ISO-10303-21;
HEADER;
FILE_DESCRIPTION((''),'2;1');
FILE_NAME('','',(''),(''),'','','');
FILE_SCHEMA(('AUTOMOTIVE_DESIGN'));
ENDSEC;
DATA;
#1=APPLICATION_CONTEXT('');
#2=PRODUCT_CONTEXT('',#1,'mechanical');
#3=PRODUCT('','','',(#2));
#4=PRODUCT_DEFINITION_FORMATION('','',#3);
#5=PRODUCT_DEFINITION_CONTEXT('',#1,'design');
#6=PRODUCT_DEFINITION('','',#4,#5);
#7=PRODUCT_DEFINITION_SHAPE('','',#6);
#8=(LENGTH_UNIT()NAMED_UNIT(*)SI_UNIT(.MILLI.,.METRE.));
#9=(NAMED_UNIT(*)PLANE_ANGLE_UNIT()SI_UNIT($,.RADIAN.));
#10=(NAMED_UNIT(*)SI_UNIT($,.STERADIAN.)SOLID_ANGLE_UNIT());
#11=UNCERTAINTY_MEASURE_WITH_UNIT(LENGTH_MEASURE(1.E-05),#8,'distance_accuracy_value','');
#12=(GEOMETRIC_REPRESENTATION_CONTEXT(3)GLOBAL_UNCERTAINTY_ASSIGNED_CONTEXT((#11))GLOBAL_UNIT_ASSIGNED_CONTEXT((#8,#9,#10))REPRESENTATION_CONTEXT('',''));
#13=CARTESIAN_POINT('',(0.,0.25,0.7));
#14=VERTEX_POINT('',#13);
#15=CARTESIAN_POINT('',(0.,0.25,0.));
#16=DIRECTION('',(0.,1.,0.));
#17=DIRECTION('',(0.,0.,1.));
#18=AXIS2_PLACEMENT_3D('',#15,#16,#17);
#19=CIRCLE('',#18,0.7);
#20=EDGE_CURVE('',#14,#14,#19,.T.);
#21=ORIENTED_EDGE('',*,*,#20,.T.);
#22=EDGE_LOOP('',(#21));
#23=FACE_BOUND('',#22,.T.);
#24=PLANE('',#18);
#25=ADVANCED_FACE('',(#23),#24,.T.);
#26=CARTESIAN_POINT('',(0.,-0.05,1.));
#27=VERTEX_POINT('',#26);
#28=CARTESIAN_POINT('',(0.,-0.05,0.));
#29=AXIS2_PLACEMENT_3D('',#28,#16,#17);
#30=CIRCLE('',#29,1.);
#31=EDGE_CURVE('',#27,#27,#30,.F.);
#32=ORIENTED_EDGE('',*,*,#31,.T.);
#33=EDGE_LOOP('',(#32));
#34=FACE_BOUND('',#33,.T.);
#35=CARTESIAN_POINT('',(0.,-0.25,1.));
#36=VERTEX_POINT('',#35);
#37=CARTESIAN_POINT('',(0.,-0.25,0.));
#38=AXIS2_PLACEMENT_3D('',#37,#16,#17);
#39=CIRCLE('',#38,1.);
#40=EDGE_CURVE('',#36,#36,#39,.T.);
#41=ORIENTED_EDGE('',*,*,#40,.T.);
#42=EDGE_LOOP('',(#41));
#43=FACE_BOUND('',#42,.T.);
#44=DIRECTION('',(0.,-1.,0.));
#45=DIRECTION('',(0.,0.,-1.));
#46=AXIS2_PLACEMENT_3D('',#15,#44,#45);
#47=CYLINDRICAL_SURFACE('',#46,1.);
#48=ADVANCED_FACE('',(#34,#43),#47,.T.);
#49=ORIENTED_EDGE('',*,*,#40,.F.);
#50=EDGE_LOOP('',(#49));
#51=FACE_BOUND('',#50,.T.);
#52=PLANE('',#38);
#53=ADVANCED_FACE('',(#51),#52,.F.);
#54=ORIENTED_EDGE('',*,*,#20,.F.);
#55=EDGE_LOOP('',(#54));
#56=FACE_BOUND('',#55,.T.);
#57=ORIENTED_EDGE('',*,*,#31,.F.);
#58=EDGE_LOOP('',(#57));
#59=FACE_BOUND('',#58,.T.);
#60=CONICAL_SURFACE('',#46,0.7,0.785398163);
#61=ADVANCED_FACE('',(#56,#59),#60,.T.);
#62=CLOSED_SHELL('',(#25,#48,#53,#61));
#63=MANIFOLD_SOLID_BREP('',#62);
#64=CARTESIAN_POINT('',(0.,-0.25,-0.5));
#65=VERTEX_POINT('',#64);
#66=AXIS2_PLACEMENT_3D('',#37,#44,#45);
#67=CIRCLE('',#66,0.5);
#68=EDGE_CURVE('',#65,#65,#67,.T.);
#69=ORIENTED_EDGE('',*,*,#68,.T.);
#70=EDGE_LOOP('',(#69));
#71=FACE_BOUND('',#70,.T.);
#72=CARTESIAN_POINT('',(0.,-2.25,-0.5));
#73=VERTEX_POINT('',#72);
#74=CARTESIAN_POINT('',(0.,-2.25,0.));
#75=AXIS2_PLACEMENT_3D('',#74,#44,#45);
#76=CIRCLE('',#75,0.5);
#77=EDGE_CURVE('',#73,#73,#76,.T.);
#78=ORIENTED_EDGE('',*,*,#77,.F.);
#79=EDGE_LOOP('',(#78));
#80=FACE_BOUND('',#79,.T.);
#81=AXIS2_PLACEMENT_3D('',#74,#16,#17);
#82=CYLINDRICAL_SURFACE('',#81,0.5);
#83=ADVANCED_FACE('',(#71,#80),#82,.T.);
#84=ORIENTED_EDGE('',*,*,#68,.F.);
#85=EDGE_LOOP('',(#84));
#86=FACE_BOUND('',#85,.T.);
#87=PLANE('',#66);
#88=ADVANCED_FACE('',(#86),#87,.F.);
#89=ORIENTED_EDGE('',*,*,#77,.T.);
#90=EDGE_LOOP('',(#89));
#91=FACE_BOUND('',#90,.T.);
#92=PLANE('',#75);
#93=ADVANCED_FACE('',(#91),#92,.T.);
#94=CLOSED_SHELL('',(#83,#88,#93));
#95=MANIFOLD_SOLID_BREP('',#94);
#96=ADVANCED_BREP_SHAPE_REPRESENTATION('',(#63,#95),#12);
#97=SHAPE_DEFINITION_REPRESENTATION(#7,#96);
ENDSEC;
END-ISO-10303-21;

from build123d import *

# Parameters (mm, degrees)
SCHIZZO1_R                   = 1
ESTRUSIONE_ESTRUSIONE1_DEPTH = 0.25
SMUSSO1_SIZE                 = 0.3
SCHIZZO2_R                   = 0.5
ESTRUSIONE_ESTRUSIONE2_DEPTH = 2


with BuildPart() as part:
    # Schizzo1 → Estrusione-Estrusione1 (new body, symmetric)
    with BuildSketch(Plane(origin=(0, 0, 0), x_dir=(1, 0, 0), z_dir=(0, 1, 0))):
        Circle(SCHIZZO1_R)
    extrude(amount=ESTRUSIONE_ESTRUSIONE1_DEPTH, both=True)

    # Smusso1
    smusso1_edges = [part.edges().sort_by_distance(p)[0] for p in [
        (-1, 0.25, 0),
    ]]
    chamfer(smusso1_edges, length=SMUSSO1_SIZE)


with BuildPart() as body_2:
    # Schizzo2 → Estrusione-Estrusione2 (new body)
    with BuildSketch(Plane.XZ.offset(0.25)):
        Circle(SCHIZZO2_R)
    extrude(amount=ESTRUSIONE_ESTRUSIONE2_DEPTH)


solid = Compound([part.part, body_2.part])
